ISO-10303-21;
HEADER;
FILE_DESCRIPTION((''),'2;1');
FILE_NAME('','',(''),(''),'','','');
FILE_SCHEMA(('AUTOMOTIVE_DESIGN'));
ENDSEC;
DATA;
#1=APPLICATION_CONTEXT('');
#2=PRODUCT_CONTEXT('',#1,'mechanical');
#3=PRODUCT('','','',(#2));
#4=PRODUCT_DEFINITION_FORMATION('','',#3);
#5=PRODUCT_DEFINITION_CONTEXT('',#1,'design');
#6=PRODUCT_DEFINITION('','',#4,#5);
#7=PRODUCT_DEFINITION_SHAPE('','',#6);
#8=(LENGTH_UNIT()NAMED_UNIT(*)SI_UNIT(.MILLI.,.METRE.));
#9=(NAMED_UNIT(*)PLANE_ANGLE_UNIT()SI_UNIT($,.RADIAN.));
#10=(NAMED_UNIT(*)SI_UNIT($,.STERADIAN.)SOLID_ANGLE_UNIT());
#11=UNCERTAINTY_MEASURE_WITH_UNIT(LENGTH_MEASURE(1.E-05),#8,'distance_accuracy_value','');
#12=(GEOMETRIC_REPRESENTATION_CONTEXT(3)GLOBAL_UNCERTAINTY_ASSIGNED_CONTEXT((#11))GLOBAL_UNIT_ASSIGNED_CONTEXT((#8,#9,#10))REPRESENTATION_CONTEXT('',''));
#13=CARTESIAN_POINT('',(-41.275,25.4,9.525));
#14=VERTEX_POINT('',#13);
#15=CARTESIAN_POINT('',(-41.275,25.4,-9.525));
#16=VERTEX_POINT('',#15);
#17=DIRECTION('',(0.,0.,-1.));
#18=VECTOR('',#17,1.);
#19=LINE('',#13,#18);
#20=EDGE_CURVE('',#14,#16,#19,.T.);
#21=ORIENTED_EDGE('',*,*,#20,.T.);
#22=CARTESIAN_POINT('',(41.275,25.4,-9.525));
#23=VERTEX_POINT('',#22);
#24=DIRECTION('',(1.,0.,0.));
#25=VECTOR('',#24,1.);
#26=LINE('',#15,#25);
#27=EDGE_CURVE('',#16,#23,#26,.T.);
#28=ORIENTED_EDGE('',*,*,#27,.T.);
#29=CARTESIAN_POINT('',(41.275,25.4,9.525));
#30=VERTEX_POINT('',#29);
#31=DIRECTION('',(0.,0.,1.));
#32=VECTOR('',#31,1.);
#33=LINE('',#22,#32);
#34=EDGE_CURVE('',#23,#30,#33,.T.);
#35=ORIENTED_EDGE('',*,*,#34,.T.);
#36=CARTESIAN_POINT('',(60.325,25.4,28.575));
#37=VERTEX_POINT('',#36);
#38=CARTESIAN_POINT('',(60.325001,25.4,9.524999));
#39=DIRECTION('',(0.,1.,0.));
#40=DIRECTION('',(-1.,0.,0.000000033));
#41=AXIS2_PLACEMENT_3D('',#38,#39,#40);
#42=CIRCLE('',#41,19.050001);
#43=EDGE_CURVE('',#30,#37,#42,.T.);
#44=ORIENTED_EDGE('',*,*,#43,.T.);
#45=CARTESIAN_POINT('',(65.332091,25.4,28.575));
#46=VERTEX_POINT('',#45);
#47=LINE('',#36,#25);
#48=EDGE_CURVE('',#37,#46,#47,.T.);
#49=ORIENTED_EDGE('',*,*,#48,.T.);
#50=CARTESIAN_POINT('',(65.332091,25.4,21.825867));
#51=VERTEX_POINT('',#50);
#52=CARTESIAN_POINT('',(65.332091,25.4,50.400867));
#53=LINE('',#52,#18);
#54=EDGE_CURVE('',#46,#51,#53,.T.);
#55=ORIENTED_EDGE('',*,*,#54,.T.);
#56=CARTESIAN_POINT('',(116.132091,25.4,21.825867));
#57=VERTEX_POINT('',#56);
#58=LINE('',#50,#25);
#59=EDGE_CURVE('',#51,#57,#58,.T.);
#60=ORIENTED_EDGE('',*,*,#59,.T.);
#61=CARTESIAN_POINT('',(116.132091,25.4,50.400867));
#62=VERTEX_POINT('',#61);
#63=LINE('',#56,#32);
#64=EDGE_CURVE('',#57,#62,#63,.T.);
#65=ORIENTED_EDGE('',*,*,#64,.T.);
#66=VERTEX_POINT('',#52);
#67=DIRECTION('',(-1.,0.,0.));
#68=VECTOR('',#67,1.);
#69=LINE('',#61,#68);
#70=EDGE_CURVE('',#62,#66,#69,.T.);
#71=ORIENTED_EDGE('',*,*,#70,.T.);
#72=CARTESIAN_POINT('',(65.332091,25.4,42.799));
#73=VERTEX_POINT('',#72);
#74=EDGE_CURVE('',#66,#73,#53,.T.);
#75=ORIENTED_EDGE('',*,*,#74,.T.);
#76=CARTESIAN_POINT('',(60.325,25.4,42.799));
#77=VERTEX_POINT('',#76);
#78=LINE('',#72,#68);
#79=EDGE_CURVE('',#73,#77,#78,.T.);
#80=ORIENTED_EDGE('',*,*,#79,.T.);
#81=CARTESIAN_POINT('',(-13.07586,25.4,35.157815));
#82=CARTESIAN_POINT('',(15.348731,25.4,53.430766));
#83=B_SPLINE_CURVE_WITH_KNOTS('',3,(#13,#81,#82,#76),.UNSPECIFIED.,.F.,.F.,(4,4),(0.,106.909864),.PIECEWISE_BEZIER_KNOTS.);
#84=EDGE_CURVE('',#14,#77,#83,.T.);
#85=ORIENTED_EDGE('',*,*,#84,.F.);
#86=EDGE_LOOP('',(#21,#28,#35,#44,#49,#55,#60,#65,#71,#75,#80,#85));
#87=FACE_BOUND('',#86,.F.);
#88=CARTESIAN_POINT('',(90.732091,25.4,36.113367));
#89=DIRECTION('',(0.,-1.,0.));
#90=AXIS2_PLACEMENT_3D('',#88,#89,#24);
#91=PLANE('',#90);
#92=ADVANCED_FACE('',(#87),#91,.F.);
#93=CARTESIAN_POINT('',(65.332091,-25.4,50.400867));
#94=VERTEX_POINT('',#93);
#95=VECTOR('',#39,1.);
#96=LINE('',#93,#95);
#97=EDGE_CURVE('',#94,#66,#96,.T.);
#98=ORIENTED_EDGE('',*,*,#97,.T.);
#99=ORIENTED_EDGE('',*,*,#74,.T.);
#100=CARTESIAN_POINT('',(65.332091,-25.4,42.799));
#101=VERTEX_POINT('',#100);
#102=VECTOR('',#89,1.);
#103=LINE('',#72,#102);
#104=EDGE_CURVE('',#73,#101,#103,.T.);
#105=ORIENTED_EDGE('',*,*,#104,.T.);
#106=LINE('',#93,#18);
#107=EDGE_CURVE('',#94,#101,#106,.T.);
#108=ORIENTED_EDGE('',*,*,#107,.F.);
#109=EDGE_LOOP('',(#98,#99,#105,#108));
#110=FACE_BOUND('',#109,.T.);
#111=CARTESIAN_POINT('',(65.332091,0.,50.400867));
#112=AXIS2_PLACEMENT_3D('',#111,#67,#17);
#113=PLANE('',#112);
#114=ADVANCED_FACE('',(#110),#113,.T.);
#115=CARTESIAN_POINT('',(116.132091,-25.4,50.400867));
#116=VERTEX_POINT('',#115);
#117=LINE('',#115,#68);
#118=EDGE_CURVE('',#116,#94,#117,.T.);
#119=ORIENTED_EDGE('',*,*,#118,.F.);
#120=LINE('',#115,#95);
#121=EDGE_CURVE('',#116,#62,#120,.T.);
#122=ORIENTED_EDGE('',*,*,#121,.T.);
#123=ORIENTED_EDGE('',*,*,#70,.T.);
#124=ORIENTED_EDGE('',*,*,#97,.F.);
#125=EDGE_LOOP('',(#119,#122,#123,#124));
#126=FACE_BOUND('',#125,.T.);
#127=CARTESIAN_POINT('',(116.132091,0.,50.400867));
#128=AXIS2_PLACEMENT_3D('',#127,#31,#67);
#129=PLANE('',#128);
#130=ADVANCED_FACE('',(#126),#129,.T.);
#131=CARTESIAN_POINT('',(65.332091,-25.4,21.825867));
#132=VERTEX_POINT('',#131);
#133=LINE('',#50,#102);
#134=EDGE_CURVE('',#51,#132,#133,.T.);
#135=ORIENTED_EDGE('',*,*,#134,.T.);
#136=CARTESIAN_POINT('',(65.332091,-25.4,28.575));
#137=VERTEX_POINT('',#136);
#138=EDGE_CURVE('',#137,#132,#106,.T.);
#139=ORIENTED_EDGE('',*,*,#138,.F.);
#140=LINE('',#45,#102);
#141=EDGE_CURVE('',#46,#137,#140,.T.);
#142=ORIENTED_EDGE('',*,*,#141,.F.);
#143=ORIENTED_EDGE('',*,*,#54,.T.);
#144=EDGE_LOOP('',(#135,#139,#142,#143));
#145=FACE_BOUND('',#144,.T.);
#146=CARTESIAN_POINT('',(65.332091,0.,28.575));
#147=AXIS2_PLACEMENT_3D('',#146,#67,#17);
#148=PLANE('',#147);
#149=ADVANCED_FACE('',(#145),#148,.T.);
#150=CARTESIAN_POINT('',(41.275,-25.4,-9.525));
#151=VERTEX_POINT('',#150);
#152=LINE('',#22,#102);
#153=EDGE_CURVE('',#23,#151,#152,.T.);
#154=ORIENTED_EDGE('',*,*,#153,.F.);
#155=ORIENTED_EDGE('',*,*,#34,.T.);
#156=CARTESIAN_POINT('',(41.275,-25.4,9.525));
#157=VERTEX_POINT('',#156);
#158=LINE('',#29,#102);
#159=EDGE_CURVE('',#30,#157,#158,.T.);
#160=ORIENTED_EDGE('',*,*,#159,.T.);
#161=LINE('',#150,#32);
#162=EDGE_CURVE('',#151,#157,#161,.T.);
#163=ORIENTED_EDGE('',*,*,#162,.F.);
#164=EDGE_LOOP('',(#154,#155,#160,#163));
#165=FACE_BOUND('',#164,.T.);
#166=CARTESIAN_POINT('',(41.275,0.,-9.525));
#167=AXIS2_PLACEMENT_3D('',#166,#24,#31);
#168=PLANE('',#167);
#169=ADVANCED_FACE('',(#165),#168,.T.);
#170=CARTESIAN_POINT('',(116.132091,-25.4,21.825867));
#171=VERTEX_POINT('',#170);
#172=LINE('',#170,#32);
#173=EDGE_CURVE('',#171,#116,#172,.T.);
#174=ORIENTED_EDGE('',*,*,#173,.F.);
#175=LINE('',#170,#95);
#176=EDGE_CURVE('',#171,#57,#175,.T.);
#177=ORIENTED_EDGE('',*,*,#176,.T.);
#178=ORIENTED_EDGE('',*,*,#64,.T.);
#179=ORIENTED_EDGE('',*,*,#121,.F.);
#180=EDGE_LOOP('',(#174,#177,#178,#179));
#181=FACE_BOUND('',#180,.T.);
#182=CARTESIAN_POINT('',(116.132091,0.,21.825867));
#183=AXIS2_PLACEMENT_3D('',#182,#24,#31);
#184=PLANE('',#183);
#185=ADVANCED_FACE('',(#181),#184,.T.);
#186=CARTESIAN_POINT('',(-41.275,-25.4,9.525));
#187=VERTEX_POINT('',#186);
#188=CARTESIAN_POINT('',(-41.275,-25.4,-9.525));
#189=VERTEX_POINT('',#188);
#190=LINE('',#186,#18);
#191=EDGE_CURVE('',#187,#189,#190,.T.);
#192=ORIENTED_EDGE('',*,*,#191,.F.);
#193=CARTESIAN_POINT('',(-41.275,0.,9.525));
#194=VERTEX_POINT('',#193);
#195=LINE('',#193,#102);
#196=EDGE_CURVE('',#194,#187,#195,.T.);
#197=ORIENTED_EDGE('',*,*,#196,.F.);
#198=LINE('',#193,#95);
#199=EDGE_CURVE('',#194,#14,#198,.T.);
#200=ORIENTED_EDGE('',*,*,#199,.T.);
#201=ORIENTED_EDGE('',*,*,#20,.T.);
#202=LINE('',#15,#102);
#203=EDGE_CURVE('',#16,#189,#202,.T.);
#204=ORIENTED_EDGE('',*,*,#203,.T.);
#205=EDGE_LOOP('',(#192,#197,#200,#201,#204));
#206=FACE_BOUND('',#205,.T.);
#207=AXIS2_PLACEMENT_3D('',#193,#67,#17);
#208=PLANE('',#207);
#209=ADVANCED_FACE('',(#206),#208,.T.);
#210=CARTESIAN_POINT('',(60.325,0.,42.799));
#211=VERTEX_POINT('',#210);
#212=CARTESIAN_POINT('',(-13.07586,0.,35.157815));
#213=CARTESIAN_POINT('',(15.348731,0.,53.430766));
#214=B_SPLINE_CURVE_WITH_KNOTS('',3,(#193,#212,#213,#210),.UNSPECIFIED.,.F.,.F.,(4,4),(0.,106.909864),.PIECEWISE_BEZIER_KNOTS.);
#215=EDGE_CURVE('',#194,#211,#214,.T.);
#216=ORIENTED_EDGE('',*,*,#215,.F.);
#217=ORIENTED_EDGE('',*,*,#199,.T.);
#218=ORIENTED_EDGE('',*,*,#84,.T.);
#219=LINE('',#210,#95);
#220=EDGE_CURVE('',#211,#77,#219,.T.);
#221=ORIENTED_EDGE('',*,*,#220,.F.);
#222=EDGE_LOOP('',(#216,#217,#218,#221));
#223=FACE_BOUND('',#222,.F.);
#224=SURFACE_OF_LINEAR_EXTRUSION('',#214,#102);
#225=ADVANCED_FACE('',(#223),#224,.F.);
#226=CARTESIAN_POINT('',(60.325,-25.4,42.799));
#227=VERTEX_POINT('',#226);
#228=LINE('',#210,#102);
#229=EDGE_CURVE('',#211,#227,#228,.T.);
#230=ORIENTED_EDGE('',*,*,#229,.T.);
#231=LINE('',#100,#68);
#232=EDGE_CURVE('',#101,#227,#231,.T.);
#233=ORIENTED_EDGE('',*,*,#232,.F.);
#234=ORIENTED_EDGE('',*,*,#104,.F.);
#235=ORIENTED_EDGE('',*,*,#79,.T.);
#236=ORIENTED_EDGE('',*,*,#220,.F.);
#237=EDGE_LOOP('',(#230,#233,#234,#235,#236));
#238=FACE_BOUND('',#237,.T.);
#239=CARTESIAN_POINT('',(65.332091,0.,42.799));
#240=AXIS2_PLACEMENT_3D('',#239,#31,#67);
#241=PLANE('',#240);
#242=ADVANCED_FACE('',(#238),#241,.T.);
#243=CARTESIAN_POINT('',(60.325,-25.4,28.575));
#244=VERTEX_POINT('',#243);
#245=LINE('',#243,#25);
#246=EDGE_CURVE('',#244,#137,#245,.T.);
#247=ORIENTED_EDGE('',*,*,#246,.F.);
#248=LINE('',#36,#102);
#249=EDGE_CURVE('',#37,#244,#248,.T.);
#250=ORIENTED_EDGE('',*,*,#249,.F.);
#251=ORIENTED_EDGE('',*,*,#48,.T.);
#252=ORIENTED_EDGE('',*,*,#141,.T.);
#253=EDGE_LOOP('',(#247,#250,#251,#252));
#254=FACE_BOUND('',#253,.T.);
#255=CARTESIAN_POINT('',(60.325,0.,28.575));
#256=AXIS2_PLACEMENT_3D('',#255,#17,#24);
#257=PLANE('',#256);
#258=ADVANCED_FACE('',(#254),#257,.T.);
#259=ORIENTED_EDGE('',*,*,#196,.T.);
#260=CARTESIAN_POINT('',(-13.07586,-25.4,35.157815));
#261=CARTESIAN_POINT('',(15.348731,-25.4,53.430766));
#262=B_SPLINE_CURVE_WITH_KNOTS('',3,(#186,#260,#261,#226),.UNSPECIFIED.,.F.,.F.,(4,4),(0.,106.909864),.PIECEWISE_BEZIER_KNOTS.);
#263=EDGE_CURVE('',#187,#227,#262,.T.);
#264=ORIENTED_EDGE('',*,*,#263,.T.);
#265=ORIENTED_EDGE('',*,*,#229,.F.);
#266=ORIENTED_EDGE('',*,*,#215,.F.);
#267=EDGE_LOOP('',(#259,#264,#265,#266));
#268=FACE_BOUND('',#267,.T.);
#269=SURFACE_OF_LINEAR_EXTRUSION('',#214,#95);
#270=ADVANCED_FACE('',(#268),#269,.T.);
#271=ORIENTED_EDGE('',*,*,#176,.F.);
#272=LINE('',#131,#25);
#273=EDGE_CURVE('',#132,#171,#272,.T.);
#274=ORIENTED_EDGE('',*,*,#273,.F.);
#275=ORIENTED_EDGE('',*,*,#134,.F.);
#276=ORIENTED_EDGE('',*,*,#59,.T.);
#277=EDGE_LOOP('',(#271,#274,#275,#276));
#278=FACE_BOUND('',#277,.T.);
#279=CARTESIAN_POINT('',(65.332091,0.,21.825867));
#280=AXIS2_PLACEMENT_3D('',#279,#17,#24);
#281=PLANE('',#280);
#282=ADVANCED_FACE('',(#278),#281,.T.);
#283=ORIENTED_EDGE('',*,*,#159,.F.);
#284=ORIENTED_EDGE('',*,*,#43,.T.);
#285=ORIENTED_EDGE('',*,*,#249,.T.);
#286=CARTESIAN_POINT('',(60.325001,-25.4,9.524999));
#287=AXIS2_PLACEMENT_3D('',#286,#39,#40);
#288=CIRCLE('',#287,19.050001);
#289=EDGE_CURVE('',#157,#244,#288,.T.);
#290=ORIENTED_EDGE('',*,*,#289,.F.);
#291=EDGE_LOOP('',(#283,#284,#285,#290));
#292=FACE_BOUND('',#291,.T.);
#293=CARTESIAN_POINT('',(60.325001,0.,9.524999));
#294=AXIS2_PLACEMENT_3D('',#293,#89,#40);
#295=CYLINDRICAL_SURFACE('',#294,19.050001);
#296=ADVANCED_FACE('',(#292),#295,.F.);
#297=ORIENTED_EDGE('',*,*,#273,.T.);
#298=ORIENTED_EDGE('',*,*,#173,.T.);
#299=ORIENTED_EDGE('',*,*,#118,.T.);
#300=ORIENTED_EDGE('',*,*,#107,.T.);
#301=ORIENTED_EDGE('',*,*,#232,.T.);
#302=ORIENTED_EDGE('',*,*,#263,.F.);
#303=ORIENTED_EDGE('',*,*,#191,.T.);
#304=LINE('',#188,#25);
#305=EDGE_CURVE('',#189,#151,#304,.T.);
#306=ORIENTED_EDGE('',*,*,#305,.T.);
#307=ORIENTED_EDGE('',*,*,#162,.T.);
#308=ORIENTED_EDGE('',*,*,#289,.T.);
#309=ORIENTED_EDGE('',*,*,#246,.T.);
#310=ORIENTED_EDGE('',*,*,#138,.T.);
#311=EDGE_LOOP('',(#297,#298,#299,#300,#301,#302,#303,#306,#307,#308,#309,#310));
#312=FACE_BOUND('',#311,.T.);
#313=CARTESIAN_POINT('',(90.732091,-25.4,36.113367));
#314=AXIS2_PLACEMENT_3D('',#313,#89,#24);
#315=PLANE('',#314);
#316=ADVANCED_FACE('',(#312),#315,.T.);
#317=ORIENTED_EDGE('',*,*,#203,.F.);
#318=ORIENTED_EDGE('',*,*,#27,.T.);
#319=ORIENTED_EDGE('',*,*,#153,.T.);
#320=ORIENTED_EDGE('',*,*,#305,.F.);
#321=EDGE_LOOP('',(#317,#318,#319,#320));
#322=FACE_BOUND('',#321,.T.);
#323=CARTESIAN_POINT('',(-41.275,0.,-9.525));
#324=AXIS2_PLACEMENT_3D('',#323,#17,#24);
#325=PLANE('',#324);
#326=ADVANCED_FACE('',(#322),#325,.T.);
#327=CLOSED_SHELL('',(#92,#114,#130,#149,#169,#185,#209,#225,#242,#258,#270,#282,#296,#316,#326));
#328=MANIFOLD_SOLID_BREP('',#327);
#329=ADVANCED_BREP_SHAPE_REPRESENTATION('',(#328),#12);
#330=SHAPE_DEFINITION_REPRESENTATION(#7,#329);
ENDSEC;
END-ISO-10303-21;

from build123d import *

# Parameters (mm, degrees)
F1_DEPTH = 25.4


with BuildPart() as f1:
    # F0 (on Front) → F1 (new body, symmetric)
    with BuildSketch(Plane.XZ):
        Polygon((65.332091, 50.400867), (65.332091, 42.799), (65.332091, 28.575), (65.332091, 21.825867), (116.132091, 21.825867), (116.132091, 50.400867), align=None)
        with BuildLine():
            ThreePointArc((60.325, 42.799), (36.796729, 33.053271), (27.051, 9.525))
            Line((27.051, 9.525), (41.275, 9.525))
            ThreePointArc((41.275, 9.525), (46.854616, 22.995384), (60.325, 28.575))
            Line((60.325, 28.575), (65.332091, 28.575))
            Line((65.332091, 28.575), (65.332091, 42.799))
            Line((65.332091, 42.799), (60.325, 42.799))
        make_face()
        Polygon((27.051, 9.525), (-41.275, 9.525), (-41.275, -9.525), (41.275, -9.525), (41.275, 9.525), align=None)
        with BuildLine():
            add(Edge.make_bspline(
                [(-41.275, 9.525), (-13.07586, 35.157815), (15.348731, 53.430766), (60.325, 42.799)],
                knots=[0, 0, 0, 0, 106.909864, 106.909864, 106.909864, 106.909864], degree=3))
            Line((-41.275, 9.525), (27.051, 9.525))
            ThreePointArc((27.051, 9.525), (36.796729, 33.053271), (60.325, 42.799))
        make_face()
    extrude(amount=F1_DEPTH, both=True)


solid = f1.part
